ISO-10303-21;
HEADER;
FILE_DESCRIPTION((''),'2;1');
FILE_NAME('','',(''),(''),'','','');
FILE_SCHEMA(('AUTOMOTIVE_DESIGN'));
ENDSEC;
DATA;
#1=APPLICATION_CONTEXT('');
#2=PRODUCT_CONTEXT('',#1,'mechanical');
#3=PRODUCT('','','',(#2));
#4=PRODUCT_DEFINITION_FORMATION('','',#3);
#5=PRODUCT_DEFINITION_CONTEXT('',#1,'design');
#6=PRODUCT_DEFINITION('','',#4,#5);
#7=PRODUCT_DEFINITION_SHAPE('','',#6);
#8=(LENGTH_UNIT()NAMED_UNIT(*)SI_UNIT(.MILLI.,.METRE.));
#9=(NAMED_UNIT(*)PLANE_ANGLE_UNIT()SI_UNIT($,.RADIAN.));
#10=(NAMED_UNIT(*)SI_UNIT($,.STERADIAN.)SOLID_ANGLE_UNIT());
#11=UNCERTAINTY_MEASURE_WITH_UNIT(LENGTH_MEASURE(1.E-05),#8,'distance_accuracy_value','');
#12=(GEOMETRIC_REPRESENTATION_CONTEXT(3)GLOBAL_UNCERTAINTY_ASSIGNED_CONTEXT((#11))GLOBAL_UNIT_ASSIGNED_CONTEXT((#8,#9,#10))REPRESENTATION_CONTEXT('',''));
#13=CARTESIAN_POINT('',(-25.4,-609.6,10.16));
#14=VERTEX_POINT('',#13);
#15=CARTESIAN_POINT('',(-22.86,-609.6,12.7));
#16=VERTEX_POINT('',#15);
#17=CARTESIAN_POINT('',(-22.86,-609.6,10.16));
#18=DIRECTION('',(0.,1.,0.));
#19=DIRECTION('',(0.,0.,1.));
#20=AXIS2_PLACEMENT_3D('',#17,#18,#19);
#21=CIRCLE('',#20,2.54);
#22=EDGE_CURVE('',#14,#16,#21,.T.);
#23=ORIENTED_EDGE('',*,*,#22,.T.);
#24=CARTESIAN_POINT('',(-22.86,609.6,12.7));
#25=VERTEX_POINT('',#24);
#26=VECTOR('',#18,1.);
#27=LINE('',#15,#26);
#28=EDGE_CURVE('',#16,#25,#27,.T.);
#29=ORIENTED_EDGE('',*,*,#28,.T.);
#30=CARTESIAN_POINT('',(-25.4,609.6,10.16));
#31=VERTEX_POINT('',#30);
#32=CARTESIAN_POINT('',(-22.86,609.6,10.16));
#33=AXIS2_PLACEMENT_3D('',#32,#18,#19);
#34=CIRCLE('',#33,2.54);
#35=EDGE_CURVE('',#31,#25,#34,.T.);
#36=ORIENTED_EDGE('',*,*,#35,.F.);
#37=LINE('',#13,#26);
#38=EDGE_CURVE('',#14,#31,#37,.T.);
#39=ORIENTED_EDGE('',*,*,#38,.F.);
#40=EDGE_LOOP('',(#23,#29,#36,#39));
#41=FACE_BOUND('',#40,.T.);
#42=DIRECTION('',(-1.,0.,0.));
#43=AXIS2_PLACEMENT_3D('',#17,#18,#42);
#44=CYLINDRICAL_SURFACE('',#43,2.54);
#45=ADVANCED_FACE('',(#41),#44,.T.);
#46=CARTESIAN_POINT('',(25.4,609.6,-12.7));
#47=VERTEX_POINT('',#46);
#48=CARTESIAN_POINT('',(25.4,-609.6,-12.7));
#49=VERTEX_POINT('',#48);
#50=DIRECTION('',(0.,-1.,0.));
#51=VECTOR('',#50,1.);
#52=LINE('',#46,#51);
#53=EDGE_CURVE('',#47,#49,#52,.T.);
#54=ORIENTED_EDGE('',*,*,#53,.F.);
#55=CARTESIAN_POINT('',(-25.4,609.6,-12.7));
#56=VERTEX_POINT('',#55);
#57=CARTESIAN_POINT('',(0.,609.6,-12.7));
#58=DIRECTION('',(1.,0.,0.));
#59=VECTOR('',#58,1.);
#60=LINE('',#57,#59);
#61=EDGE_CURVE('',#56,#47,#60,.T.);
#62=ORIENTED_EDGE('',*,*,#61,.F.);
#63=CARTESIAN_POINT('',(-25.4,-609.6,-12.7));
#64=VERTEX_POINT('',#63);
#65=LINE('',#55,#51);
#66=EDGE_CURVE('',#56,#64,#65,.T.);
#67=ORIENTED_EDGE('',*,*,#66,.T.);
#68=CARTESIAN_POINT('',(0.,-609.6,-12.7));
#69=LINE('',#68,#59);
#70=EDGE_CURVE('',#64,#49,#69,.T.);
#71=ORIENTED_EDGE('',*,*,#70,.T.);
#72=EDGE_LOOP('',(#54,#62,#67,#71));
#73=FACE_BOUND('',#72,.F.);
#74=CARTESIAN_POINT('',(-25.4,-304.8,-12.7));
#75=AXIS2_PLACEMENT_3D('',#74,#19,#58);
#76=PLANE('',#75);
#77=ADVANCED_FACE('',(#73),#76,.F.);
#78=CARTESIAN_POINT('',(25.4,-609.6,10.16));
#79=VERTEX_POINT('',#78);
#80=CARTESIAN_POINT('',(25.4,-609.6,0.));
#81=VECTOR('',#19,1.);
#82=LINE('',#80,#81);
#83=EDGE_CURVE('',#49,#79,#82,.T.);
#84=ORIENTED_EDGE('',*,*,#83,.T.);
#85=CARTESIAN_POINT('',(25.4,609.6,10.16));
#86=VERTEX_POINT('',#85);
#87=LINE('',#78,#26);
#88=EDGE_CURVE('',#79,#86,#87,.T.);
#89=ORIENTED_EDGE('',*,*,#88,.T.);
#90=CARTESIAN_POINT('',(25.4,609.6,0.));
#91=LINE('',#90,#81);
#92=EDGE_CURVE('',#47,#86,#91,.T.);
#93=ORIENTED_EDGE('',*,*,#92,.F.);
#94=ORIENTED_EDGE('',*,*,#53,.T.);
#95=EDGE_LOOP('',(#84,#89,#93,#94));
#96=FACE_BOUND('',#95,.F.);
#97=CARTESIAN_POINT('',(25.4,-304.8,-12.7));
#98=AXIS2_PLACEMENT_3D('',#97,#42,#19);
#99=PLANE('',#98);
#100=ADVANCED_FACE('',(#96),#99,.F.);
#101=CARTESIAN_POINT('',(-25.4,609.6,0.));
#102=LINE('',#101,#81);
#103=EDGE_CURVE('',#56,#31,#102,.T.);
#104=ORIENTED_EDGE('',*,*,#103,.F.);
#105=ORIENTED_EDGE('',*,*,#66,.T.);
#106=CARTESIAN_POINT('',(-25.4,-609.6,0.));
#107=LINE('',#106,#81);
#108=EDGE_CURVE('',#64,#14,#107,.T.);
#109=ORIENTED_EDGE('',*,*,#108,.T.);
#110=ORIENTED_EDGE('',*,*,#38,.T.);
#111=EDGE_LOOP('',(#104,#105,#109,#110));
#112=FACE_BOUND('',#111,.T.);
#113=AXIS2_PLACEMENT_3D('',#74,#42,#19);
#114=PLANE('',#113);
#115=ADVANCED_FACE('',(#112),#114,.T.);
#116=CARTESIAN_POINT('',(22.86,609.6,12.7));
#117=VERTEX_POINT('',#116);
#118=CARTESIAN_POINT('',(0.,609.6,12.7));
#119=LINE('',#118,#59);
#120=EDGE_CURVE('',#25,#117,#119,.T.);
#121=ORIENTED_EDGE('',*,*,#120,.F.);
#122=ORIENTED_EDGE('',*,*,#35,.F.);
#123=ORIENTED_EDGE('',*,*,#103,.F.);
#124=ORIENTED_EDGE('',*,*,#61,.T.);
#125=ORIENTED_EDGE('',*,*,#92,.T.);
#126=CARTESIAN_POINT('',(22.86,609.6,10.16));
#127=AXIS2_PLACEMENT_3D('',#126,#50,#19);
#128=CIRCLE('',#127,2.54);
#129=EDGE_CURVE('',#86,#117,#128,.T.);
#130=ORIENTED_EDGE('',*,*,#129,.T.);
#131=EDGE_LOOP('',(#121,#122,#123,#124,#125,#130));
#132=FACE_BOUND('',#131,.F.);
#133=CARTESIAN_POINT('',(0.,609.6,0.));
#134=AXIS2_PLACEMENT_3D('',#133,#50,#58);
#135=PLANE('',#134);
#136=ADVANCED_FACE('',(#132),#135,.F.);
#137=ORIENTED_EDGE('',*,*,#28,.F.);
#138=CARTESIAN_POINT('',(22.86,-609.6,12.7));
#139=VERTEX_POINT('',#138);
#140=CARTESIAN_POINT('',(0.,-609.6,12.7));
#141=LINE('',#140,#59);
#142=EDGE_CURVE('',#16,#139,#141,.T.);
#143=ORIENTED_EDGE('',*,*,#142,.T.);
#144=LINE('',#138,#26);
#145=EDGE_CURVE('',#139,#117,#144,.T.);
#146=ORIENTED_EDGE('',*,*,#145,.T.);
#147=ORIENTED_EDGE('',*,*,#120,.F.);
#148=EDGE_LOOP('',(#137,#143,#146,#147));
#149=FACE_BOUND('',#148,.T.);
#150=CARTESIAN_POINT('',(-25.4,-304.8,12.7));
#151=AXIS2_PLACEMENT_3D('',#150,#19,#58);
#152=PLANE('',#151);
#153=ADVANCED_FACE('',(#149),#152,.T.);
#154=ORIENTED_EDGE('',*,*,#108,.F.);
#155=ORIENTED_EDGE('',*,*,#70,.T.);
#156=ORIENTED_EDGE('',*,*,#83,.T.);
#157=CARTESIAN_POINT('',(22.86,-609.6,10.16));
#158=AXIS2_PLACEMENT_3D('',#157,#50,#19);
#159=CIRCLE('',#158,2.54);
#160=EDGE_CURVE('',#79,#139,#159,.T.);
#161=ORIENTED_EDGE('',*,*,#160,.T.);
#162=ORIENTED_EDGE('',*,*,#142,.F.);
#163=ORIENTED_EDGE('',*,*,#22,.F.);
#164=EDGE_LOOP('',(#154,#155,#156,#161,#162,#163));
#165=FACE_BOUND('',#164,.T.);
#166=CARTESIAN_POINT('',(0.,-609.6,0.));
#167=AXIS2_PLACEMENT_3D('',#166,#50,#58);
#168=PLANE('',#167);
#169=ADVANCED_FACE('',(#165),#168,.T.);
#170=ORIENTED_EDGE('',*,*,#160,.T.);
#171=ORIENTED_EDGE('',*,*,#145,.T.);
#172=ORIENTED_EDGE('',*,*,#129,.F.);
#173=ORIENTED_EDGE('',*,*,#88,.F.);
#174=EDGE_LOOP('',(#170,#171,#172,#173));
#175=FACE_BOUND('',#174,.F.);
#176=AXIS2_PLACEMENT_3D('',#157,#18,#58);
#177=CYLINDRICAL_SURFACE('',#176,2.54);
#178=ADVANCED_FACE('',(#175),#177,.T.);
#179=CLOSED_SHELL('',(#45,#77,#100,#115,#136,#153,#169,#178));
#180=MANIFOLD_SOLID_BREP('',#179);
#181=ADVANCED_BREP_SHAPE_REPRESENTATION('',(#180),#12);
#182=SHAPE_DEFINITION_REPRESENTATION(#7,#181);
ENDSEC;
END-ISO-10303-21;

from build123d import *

# Parameters (mm, degrees)
F0_W     = 50.8
F0_H     = 50.8
F1_DEPTH = 304.8
F2_DEPTH = 12.7
F3_DEPTH = 12.7
F4_DEPTH = 304.8
F5_DEPTH = 304.8
F6_R     = 2.54


with BuildPart() as f1:
    # F0 (on Front) → F1 (new body, symmetric)
    with BuildSketch(Plane.XZ):
        Rectangle(F0_W, F0_H)
    extrude(amount=F1_DEPTH, both=True)

    # F2 (cut): a face of the model
    f2_faces = [f1.faces().sort_by_distance(p)[0] for p in [
        (0, 0, 25.4),
    ]]
    extrude(f2_faces, amount=-F2_DEPTH, mode=Mode.SUBTRACT)

    # F3 (cut): a face of the model
    f3_faces = [f1.faces().sort_by_distance(p)[0] for p in [
        (0, 0, -25.4),
    ]]
    extrude(f3_faces, amount=-F3_DEPTH, mode=Mode.SUBTRACT)

    # F4 (add): a face of the model
    f4_faces = [f1.faces().sort_by_distance(p)[0] for p in [
        (0, 304.8, 0),
    ]]
    extrude(f4_faces, amount=F4_DEPTH)

    # F5 (add): a face of the model
    f5_faces = [f1.faces().sort_by_distance(p)[0] for p in [
        (0, -304.8, 0),
    ]]
    extrude(f5_faces, amount=F5_DEPTH)

    # F6
    f6_edges = [f1.edges().sort_by_distance(p)[0] for p in [
        (-25.4, 0, 12.7),
        (25.4, 0, 12.7),
    ]]
    fillet(f6_edges, radius=F6_R)


solid = f1.part
